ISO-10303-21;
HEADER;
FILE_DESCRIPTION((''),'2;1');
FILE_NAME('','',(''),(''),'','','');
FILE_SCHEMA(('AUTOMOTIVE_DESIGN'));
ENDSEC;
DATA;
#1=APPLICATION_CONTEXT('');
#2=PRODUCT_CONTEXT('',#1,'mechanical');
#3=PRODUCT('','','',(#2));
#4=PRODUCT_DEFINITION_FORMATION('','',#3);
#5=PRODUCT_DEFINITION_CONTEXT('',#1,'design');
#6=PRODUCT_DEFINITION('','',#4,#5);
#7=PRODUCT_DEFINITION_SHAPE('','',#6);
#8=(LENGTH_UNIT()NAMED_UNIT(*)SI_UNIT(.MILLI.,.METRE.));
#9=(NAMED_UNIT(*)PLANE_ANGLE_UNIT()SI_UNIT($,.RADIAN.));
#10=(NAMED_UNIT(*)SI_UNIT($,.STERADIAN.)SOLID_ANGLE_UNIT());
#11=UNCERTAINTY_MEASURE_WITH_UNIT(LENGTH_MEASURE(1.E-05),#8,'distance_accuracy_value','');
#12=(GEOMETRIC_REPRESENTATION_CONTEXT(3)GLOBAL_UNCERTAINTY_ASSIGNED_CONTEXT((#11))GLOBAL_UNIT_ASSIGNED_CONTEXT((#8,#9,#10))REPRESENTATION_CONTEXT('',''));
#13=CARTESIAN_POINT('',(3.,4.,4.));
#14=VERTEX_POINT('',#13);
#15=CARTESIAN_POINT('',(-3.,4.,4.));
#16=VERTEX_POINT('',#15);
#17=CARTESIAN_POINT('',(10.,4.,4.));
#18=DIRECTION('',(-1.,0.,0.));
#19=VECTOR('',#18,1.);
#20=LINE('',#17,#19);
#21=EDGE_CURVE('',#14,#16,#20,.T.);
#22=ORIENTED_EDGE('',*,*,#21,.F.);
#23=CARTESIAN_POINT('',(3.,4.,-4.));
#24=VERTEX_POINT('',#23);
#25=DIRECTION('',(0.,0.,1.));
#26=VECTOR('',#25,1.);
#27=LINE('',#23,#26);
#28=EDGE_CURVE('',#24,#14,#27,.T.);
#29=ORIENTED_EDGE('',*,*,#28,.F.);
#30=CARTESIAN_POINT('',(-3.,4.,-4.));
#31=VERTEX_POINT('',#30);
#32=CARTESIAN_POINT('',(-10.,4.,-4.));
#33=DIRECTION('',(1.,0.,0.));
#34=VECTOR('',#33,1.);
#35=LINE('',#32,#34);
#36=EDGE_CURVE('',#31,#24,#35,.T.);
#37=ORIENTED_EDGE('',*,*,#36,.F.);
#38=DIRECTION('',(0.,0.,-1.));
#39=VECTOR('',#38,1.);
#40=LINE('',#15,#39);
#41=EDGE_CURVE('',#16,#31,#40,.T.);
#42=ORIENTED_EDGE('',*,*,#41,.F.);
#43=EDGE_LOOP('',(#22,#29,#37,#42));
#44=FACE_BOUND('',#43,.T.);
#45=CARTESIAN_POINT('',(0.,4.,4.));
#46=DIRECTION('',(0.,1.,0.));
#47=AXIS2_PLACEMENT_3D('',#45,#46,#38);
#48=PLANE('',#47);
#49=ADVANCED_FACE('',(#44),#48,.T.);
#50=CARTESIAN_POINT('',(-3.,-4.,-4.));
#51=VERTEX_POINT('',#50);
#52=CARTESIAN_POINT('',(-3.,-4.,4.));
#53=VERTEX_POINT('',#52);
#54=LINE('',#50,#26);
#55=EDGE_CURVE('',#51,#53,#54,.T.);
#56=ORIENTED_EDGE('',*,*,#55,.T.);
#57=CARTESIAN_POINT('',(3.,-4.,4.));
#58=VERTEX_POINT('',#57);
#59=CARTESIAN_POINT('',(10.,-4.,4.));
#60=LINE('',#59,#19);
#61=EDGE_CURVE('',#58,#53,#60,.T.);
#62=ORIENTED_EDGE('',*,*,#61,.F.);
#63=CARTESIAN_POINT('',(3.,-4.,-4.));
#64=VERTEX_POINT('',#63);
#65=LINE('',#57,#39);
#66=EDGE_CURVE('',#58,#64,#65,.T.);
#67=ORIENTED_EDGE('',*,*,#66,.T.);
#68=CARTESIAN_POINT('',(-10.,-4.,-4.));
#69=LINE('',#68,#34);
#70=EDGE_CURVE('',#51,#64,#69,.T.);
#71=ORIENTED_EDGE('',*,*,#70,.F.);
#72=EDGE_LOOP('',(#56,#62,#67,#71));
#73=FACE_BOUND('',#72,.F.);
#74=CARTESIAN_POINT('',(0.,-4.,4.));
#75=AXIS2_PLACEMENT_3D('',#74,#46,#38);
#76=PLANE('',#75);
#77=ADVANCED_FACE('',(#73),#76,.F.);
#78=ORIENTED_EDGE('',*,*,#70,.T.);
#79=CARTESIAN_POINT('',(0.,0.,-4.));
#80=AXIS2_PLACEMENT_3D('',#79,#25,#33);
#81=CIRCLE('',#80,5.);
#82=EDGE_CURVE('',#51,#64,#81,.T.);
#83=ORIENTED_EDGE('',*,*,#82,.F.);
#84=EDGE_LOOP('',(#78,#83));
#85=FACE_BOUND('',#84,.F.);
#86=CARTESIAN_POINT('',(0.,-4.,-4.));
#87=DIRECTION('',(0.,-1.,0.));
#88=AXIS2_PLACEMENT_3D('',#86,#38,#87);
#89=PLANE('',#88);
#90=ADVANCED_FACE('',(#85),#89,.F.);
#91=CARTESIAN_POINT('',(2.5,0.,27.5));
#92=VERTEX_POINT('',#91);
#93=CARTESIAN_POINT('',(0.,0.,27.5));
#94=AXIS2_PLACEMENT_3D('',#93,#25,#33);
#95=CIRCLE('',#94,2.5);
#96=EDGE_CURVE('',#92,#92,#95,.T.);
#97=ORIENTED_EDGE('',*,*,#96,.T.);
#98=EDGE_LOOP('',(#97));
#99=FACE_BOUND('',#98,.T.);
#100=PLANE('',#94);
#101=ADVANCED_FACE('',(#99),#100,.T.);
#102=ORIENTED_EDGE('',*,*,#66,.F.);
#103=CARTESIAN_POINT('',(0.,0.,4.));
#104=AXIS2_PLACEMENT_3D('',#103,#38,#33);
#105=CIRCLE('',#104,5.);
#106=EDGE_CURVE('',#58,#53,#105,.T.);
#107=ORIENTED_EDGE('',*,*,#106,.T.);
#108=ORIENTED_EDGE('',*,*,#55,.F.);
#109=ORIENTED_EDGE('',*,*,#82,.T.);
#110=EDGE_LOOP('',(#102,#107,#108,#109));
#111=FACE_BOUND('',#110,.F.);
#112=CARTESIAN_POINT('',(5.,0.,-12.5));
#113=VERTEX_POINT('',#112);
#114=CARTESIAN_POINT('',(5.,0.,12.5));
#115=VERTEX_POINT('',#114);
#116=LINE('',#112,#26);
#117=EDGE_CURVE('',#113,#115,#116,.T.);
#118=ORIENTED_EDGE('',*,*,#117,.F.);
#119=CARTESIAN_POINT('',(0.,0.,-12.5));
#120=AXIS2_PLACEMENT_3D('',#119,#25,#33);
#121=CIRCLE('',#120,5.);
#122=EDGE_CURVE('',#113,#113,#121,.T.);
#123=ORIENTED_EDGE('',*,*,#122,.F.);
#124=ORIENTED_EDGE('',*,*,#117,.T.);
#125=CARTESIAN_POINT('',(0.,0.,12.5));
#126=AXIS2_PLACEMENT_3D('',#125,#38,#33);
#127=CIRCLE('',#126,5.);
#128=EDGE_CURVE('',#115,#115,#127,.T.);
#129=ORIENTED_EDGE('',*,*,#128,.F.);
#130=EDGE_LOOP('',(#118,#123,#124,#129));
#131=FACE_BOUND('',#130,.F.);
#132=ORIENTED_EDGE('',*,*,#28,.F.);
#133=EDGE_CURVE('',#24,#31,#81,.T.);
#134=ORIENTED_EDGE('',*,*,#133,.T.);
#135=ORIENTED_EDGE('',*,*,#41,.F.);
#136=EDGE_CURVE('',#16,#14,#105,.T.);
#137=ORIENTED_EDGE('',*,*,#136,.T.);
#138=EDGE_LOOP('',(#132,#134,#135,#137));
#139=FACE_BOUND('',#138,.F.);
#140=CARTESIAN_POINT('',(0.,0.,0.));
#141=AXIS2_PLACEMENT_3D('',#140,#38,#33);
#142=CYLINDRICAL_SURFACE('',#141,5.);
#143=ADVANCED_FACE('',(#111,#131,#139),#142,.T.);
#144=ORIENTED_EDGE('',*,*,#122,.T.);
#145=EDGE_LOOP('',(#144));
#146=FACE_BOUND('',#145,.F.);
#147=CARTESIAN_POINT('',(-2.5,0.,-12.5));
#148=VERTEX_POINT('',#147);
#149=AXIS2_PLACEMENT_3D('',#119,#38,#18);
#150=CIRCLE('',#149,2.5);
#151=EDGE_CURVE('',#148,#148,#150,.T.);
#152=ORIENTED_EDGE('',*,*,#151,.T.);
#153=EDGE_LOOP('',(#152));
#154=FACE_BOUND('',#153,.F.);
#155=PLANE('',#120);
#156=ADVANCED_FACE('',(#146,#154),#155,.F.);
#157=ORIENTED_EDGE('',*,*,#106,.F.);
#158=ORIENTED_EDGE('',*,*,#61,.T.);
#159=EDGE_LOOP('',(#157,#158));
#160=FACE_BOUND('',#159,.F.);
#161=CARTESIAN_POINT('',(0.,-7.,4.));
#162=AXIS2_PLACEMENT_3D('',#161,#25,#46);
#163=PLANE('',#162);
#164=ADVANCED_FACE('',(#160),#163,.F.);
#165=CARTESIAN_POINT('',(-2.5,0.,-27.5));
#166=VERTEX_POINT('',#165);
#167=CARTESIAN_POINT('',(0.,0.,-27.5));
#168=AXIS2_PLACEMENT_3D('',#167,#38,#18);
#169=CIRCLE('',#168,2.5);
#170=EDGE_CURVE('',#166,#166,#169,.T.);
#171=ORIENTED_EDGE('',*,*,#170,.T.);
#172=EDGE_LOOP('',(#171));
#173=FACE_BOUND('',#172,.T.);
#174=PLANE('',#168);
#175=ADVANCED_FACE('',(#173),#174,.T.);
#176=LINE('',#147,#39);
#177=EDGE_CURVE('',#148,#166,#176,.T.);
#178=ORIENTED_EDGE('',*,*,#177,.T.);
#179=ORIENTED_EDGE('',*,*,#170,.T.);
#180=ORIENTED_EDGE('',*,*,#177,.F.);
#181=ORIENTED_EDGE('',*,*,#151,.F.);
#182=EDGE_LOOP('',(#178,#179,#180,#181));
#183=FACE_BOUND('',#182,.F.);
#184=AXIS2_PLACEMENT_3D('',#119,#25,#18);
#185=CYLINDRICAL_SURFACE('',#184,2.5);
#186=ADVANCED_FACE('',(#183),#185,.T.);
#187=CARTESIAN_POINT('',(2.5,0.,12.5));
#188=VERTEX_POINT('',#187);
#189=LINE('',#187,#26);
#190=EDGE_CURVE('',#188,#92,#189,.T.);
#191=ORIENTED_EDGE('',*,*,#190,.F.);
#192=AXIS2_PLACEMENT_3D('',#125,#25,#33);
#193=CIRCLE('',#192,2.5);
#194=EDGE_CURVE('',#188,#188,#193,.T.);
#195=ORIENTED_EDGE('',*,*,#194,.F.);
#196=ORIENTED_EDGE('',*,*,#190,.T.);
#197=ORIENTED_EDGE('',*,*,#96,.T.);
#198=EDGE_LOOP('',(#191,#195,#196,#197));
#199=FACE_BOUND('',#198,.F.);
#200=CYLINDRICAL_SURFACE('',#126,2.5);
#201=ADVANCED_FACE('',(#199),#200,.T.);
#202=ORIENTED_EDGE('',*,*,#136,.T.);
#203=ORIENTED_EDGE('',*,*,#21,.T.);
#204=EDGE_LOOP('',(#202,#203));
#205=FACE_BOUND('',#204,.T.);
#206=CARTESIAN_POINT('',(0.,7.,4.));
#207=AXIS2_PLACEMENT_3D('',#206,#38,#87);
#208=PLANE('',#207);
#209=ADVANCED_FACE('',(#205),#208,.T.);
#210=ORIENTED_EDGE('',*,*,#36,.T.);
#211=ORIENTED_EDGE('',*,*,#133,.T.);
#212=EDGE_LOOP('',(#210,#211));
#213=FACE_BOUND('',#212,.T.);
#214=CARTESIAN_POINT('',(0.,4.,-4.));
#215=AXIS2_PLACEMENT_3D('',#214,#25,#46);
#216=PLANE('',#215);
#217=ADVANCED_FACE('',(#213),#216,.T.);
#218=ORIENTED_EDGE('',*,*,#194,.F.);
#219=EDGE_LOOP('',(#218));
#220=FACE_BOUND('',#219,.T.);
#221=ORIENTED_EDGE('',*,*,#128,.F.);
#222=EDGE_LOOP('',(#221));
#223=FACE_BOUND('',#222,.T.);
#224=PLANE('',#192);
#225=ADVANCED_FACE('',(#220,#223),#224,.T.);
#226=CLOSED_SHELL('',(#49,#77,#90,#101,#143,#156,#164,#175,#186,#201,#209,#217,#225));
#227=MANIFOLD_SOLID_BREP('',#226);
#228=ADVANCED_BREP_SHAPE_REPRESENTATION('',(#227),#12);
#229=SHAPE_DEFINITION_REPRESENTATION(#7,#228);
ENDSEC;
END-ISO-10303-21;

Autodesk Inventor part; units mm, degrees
ref_plane "YZ Plane" through (0, 0, 0) normal (1, 0, 0) x (0, 1, 0)
ref_plane "XZ Plane" through (0, 0, 0) normal (0, 1, 0) x (-1, 0, 0)
ref_plane "XY Plane" through (0, 0, 0) normal (0, 0, 1) x (1, 0, 0)
sketch "Skizze1" plane through (0, 0, 0) normal (0, 0, 1) x (1, 0, 0)
  line L0 (-7, 0) -> (7, 0) projected
  line L1 (0, -7) -> (0, 7) projected
  circle A0 centre (0, 0) radius 5
  dimension "d0" = 10
extrude "Extrusion1" add sketch "Skizze1" along normal mid plane 25
sketch "Skizze2" plane through (0, 0, -12.5) normal (0, 0, -1) x (-1, 0, 0)
  circle A0 centre (0, 0) radius 2.5
  dimension "d3" = 5
extrude "Extrusion2" add sketch "Skizze2" along normal blind 15
sketch "Skizze3" plane through (0, 0, 12.5) normal (0, 0, 1) x (1, 0, 0)
  circle A0 centre (0, 0) radius 2.5
  circle A1 centre (0, 0) radius 2.5 projected
extrude "Extrusion3" add sketch "Skizze3" along normal blind 15
thread "Gewinde1" size "M5x0.8" class "6g" standard "ANSI Metric M Profile" full length
sketch "Skizze4" plane through (0, 0, 0) normal (1, 0, 0) x (0, 1, 0)
  line L0 (-7, 0) -> (7, 0) projected
  line L1 (0, -5.6) -> (0, 5.6) projected
  line L2 (-7, 4) -> (-4, 4)
  line L3 (-4, 4) -> (-4, -4)
  line L4 (-4, -4) -> (-7, -4)
  line L5 (-7, -4) -> (-7, 4)
  line L6 (-7, 4) -> (-4, -4) construction
  line L7 (-4, 4) -> (-7, -4) construction
  line L8 (7, 4) -> (4, 4)
  line L9 (4, 4) -> (4, -4)
  line L10 (4, -4) -> (7, -4)
  line L11 (7, -4) -> (7, 4)
  line L12 (7, 4) -> (4, -4) construction
  line L13 (4, 4) -> (7, -4) construction
  point P0 (0, 0)
  point P1 (-5.5, 0)
  point P2 (5.5, 0)
  dimension "d10" = 8
  dimension "d11" = 8
  dimension "d12" = 3
extrude "Extrusion4" cut sketch "Skizze4" along normal mid plane 20
properties part number "24_0497_0017"
